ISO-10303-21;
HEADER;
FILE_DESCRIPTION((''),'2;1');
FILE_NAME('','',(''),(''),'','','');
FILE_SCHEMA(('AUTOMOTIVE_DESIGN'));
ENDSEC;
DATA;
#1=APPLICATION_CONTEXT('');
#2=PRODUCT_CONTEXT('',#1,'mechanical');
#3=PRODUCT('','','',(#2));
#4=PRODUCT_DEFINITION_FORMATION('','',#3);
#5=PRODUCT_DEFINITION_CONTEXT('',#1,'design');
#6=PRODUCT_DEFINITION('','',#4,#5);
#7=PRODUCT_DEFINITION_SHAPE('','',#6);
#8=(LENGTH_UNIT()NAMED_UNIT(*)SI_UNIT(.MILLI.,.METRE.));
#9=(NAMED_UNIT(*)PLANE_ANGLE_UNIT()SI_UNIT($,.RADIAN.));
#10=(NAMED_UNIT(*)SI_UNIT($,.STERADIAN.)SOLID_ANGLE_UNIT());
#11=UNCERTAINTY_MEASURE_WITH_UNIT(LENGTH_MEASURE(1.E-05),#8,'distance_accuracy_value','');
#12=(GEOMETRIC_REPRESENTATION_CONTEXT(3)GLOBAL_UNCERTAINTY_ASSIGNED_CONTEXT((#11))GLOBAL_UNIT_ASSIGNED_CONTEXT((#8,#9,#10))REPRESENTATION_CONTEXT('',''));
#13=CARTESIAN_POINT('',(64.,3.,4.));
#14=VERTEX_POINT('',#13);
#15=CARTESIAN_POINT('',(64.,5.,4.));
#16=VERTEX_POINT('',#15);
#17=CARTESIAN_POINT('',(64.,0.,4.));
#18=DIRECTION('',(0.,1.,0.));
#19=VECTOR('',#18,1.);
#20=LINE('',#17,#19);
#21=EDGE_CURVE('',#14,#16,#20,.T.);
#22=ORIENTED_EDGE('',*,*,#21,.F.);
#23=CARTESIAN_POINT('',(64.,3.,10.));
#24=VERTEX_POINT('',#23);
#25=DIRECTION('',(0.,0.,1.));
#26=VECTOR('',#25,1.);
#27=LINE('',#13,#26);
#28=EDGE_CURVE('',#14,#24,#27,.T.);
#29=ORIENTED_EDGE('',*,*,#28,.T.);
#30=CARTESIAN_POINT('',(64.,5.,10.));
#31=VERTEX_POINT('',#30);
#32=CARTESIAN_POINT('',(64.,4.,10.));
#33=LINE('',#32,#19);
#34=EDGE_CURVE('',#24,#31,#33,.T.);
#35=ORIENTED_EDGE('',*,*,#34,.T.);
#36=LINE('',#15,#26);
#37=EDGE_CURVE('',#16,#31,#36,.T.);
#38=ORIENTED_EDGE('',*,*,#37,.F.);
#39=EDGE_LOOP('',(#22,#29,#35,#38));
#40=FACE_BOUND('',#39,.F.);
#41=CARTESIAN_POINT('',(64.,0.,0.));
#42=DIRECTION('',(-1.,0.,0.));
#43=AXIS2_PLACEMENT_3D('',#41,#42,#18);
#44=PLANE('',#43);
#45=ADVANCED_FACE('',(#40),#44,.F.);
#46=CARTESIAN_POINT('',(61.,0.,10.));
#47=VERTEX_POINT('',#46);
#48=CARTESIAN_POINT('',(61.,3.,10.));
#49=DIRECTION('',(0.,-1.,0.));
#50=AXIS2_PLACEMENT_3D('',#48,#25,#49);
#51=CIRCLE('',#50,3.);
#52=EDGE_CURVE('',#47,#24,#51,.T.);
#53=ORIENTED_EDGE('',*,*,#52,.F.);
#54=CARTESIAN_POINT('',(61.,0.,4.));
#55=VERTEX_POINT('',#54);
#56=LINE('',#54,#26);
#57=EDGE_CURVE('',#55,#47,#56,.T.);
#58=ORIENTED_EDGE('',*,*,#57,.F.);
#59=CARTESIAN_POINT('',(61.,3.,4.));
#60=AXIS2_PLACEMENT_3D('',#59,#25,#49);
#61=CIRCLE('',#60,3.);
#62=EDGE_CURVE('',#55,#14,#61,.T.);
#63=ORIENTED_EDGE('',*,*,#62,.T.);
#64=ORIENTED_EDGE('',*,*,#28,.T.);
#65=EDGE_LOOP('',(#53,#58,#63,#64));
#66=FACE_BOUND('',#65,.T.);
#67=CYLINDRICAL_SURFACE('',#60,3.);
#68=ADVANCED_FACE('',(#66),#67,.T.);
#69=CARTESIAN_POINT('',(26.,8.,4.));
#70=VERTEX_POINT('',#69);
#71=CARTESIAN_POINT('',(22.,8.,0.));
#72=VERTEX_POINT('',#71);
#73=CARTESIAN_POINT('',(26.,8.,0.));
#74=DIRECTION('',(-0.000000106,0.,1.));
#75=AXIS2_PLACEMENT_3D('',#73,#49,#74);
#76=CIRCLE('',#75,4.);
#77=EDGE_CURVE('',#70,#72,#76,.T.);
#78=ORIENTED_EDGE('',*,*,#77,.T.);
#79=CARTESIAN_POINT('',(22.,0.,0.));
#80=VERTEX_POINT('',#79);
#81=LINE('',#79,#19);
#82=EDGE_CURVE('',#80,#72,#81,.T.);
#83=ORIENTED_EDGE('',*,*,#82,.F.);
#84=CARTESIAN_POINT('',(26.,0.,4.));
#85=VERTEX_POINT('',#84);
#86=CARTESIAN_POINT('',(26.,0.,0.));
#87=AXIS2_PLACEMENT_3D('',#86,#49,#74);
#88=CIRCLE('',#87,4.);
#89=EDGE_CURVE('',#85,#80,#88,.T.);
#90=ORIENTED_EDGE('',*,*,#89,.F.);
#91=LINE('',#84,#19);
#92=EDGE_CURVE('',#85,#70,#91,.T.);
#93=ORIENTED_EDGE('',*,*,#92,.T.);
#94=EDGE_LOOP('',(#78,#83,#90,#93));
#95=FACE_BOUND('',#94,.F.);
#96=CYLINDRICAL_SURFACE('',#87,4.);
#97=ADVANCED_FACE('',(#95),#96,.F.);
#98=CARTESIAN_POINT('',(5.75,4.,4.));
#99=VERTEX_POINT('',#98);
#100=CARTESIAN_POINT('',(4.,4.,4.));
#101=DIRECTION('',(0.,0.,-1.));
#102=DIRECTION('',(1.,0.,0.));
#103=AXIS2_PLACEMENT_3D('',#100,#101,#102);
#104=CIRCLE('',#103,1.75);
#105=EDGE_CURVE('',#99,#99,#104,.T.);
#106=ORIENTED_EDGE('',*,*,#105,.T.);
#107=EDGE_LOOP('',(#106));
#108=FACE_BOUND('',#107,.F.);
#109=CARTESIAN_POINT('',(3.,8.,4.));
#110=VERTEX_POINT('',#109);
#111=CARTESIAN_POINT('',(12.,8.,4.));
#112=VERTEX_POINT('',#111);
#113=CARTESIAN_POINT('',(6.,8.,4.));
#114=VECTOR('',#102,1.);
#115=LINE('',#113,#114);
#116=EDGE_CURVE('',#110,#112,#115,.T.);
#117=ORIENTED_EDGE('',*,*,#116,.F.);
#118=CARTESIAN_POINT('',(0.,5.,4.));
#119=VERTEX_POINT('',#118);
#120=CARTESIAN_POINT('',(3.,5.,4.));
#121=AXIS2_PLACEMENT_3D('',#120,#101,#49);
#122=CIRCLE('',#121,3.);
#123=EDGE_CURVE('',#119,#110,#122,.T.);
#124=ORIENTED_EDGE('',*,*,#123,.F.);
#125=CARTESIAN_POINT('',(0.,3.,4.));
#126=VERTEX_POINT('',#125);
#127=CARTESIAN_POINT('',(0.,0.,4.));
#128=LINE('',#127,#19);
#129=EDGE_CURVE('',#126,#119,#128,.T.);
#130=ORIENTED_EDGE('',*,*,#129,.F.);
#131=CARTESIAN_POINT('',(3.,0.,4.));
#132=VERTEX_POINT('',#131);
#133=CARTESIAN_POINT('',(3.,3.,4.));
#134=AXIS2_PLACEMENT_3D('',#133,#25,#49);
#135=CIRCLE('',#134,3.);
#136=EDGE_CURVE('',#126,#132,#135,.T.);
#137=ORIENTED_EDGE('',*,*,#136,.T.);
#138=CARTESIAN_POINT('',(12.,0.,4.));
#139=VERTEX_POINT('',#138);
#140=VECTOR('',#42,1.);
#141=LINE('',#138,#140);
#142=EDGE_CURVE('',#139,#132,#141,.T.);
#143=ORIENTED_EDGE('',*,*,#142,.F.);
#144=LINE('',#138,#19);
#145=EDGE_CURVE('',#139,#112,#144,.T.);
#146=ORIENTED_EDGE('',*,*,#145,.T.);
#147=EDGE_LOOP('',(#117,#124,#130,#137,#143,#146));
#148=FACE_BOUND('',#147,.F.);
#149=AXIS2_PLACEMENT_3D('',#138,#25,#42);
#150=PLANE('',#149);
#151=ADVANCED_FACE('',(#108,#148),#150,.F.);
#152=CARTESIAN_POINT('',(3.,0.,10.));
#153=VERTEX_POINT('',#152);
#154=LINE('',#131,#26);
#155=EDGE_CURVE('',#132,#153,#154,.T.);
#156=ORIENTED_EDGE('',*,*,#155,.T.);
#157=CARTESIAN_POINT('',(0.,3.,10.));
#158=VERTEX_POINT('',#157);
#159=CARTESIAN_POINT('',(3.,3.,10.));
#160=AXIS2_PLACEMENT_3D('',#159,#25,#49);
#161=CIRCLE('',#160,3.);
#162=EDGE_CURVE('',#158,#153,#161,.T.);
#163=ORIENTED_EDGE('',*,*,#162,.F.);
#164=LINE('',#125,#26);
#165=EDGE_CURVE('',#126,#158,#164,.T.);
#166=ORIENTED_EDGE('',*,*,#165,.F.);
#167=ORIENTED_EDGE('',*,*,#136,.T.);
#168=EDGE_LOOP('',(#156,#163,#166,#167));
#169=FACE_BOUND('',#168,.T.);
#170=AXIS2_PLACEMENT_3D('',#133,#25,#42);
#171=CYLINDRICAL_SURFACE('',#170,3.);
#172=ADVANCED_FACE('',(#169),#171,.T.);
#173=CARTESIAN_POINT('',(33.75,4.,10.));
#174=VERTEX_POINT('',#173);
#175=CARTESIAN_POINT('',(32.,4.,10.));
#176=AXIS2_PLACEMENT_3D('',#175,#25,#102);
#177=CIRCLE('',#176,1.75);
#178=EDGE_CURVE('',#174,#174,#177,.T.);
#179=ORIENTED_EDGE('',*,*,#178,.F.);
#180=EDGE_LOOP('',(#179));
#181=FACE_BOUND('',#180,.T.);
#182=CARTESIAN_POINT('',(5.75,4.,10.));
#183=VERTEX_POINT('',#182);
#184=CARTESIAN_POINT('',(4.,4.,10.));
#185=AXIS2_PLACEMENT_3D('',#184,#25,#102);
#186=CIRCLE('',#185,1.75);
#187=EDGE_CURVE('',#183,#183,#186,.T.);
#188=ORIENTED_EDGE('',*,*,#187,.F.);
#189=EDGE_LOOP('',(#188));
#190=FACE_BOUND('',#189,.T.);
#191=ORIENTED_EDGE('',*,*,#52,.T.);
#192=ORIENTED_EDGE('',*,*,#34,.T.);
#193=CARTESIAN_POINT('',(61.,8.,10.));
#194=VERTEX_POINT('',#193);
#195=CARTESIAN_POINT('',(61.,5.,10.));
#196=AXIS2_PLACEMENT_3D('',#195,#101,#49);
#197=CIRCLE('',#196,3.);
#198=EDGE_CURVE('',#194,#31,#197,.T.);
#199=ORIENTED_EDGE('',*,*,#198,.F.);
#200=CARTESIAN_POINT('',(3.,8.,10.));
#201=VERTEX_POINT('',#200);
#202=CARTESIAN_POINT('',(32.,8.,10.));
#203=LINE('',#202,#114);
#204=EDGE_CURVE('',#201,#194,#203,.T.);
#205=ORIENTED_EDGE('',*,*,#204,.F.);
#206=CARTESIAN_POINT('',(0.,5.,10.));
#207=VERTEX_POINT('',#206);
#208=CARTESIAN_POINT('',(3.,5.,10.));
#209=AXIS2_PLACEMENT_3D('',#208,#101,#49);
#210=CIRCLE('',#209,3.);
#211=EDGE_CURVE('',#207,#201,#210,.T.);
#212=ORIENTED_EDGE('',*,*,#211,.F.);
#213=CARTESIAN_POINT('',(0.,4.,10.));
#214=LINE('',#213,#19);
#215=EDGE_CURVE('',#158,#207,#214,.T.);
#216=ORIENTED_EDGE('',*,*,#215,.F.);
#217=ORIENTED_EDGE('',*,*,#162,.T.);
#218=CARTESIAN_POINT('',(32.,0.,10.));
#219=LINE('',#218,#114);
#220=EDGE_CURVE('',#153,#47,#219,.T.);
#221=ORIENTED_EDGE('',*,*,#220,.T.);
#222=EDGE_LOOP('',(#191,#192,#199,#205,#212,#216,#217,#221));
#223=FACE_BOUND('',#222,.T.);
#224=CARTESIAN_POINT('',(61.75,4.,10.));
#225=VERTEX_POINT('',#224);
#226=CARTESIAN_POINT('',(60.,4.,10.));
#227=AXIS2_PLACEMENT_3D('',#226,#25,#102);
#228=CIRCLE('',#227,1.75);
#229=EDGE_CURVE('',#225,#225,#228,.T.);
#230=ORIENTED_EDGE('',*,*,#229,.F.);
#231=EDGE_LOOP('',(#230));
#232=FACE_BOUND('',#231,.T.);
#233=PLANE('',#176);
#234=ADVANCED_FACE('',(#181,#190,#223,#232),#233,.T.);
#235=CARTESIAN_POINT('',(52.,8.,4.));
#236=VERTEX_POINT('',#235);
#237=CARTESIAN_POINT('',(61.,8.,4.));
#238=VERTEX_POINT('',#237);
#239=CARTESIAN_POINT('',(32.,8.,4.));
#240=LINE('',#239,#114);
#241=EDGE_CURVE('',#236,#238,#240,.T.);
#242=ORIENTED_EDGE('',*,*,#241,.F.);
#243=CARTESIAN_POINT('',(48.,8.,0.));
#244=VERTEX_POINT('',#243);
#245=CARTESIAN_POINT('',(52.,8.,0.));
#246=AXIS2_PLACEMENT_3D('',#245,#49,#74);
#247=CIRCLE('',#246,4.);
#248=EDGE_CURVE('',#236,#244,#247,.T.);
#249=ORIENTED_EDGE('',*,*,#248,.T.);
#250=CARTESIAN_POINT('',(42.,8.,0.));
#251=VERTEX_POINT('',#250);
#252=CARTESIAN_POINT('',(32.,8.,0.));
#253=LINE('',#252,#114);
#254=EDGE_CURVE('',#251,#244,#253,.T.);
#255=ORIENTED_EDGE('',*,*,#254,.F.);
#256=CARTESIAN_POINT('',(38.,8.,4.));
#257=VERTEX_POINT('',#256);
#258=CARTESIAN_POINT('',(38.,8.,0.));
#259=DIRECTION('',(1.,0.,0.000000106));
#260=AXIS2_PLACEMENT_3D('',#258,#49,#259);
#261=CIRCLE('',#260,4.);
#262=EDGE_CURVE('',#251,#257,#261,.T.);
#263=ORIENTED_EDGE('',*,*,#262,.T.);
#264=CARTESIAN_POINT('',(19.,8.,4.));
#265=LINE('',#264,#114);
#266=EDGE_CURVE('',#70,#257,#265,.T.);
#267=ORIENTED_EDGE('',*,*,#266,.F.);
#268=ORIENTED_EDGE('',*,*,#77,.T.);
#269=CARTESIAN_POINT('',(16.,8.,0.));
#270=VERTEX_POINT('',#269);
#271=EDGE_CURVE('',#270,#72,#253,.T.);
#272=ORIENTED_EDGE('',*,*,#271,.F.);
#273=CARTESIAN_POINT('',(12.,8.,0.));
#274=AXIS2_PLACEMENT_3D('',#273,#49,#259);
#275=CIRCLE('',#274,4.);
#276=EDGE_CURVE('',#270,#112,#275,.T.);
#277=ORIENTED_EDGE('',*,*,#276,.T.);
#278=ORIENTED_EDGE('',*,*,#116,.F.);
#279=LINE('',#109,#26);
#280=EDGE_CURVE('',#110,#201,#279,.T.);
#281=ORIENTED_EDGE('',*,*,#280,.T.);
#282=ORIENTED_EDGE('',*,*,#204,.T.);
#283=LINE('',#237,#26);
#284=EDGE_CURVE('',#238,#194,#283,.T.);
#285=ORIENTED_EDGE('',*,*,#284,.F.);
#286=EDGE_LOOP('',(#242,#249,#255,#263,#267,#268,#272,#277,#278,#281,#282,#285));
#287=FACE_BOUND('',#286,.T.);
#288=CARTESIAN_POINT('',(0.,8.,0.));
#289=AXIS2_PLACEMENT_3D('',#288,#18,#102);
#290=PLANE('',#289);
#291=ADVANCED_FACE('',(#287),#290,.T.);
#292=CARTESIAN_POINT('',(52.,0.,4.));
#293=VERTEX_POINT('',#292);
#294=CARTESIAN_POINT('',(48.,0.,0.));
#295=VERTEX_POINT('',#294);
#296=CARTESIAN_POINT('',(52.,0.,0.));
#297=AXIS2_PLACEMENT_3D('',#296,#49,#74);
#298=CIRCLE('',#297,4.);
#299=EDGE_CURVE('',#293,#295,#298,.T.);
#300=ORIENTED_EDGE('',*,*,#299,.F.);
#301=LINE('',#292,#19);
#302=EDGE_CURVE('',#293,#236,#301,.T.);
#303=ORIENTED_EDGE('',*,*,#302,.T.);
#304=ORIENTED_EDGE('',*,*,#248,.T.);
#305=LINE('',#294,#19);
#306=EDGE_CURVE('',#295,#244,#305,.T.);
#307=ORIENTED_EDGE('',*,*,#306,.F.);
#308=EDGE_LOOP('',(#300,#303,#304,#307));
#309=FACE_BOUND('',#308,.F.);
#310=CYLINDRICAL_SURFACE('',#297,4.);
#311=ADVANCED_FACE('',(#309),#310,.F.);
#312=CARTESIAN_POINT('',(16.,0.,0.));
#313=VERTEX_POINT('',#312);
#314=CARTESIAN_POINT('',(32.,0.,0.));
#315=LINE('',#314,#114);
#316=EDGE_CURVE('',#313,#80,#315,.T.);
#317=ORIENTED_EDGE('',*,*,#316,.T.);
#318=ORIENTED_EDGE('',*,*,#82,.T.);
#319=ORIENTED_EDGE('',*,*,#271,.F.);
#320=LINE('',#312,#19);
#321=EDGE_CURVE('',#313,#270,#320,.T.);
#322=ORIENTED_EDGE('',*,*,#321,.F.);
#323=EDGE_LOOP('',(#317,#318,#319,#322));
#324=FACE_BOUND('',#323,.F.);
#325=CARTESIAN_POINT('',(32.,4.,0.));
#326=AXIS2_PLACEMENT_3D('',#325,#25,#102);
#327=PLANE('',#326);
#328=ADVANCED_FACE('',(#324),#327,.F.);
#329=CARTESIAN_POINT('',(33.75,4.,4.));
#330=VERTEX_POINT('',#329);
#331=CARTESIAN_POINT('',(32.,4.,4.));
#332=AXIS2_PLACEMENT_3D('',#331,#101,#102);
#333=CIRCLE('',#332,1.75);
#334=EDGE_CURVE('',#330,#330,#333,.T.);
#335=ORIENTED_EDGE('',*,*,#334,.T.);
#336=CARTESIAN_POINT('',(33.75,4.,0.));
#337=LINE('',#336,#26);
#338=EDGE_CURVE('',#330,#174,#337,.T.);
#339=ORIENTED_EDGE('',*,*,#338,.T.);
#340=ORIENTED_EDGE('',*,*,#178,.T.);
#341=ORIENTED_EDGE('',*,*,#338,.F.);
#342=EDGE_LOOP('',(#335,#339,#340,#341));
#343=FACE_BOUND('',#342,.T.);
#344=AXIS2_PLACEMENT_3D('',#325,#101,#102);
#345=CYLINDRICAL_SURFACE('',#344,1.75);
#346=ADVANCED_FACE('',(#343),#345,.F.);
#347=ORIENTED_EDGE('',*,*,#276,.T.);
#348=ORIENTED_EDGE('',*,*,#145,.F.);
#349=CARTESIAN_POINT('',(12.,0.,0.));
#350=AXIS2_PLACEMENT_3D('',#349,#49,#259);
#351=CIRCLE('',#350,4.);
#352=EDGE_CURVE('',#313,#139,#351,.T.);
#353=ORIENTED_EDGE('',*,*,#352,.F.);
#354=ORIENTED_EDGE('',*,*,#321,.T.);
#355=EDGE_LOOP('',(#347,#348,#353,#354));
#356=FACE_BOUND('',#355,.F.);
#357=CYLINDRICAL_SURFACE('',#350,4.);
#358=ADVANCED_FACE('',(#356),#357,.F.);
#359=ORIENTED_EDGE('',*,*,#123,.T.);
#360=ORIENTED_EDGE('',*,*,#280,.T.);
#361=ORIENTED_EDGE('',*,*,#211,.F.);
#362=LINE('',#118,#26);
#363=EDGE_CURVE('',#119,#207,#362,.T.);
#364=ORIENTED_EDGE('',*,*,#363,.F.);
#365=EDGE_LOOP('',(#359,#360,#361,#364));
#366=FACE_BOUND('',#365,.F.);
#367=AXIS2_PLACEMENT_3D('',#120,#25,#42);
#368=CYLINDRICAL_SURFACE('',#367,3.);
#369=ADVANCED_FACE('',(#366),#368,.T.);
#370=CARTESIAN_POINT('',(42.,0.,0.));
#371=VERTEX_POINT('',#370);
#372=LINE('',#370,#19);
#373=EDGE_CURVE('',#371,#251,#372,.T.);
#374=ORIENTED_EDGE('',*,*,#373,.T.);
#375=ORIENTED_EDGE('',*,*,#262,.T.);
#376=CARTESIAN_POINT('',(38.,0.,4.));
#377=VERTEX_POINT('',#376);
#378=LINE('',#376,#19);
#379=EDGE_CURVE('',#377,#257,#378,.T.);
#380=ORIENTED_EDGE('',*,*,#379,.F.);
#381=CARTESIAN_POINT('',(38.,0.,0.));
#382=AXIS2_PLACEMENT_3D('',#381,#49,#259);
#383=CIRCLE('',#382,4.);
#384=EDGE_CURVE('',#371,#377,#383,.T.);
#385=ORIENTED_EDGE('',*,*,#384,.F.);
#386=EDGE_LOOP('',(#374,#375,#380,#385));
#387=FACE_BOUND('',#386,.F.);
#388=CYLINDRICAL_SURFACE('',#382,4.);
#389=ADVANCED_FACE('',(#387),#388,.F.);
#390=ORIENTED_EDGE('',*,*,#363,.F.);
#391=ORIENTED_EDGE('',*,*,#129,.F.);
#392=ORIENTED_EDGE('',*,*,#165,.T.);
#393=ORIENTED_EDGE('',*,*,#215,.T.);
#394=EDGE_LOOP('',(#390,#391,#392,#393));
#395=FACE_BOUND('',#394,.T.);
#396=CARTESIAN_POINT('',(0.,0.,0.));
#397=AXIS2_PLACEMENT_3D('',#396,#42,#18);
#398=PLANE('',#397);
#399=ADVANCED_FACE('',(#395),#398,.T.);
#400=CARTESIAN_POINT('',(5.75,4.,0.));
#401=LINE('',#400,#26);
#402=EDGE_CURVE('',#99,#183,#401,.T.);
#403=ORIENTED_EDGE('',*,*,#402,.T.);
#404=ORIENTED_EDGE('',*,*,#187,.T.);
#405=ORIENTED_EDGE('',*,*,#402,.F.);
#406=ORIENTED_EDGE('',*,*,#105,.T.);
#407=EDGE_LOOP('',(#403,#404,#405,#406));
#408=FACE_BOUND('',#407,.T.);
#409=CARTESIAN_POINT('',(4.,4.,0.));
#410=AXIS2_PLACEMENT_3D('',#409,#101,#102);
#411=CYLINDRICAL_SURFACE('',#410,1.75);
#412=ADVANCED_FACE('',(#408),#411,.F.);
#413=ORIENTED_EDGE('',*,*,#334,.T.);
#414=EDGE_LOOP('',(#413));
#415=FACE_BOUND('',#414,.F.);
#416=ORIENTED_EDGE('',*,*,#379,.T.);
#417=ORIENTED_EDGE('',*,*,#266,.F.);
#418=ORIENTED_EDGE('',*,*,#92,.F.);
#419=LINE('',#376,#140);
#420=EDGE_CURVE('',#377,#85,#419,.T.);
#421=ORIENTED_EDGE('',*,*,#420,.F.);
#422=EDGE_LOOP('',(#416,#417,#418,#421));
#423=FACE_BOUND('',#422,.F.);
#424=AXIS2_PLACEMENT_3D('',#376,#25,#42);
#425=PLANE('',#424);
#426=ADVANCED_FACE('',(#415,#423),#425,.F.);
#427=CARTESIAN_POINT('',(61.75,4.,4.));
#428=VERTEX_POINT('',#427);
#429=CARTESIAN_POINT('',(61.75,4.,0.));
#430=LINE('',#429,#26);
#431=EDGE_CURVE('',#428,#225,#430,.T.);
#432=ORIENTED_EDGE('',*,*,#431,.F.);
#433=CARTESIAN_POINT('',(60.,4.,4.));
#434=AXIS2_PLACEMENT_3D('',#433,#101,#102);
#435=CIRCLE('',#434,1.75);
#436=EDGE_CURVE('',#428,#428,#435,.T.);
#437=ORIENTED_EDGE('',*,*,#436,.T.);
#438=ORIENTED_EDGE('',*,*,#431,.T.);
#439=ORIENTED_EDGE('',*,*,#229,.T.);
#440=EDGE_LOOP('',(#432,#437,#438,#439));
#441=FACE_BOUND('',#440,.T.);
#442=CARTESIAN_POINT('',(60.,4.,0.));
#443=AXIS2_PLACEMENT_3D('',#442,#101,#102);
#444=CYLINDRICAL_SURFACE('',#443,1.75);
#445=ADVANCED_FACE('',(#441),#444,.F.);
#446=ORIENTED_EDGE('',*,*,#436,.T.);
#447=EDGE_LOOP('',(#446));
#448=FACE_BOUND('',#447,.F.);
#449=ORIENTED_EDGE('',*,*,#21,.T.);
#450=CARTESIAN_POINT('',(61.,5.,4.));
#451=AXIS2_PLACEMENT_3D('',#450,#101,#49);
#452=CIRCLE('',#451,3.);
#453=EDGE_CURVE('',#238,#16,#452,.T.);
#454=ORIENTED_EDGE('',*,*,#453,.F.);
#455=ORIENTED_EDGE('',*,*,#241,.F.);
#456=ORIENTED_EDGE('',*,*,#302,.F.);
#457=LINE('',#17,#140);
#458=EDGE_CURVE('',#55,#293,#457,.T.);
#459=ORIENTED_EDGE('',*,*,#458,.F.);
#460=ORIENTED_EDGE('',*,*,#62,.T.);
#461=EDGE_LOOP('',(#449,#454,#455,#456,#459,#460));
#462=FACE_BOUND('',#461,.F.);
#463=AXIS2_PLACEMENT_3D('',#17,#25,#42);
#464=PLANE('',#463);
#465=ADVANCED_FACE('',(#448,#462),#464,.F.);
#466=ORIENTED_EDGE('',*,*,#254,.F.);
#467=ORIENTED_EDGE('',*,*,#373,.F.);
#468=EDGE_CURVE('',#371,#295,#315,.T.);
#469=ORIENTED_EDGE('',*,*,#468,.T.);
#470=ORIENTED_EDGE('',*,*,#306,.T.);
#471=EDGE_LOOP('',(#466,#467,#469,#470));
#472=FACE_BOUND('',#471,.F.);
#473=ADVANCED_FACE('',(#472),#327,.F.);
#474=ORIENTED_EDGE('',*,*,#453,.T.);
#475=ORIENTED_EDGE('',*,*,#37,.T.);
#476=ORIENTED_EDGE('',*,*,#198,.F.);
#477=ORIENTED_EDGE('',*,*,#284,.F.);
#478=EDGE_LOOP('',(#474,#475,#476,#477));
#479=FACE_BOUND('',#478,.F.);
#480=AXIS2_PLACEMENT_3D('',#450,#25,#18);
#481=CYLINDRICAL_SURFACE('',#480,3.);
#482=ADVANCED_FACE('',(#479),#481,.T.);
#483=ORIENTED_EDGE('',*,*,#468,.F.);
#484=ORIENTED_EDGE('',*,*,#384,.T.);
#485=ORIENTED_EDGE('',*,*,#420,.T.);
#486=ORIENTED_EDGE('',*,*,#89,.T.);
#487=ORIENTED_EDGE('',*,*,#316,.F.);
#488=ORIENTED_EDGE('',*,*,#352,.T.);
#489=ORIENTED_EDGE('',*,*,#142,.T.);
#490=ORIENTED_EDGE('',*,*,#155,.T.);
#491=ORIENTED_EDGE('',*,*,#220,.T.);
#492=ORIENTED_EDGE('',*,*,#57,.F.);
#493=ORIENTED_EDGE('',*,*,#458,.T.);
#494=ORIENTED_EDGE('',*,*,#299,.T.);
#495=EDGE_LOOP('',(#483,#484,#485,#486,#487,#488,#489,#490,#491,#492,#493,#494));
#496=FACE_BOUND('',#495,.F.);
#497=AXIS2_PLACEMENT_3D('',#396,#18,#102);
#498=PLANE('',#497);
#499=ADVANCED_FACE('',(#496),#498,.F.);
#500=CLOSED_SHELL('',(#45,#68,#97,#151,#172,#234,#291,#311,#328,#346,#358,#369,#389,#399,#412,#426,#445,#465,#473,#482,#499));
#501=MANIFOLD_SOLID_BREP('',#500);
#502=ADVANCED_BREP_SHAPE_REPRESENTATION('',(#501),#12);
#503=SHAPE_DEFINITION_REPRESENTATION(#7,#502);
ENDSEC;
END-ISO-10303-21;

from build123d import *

# Parameters (mm, degrees)
F0_W     = 64
F0_H     = 8
F0_R     = 1.75
F1_DEPTH = 10
F3_DEPTH = 10
F4_R     = 3


with BuildPart() as f1:
    # F0 (on Top) → F1 (new body)
    with BuildSketch(Plane.XY):
        with Locations((32, 4)):
            Rectangle(F0_W, F0_H)
        with Locations((4, 4)):
            Circle(F0_R, mode=Mode.SUBTRACT)
        with Locations((32, 4)):
            Circle(F0_R, mode=Mode.SUBTRACT)
        with Locations((60, 4)):
            Circle(F0_R, mode=Mode.SUBTRACT)
    extrude(amount=F1_DEPTH)

    # F2 (on face) → F3 (cut)
    with BuildSketch(Plane.XZ):
        with BuildLine():
            ThreePointArc((52, 4), (49.171573, 2.828427), (48, 0))
            Line((48, 0), (64, 0))
            Line((64, 0), (64, 4))
            Line((64, 4), (52, 4))
        make_face()
        with BuildLine():
            ThreePointArc((26, 4), (23.171573, 2.828427), (22, 0))
            Line((22, 0), (42, 0))
            ThreePointArc((42, 0), (40.828427, 2.828427), (38, 4))
            Line((38, 4), (26, 4))
        make_face()
        with BuildLine():
            ThreePointArc((16, 0), (14.828427, 2.828427), (12, 4))
            Line((12, 4), (0, 4))
            Line((0, 4), (0, 0))
            Line((0, 0), (16, 0))
        make_face()
    extrude(amount=-F3_DEPTH, mode=Mode.SUBTRACT)

    # F4
    f4_edges = [f1.edges().sort_by_distance(p)[0] for p in [
        (0, 0, 7),
        (0, 8, 7),
        (64, 0, 7),
        (64, 8, 7),
    ]]
    fillet(f4_edges, radius=F4_R)


solid = f1.part
